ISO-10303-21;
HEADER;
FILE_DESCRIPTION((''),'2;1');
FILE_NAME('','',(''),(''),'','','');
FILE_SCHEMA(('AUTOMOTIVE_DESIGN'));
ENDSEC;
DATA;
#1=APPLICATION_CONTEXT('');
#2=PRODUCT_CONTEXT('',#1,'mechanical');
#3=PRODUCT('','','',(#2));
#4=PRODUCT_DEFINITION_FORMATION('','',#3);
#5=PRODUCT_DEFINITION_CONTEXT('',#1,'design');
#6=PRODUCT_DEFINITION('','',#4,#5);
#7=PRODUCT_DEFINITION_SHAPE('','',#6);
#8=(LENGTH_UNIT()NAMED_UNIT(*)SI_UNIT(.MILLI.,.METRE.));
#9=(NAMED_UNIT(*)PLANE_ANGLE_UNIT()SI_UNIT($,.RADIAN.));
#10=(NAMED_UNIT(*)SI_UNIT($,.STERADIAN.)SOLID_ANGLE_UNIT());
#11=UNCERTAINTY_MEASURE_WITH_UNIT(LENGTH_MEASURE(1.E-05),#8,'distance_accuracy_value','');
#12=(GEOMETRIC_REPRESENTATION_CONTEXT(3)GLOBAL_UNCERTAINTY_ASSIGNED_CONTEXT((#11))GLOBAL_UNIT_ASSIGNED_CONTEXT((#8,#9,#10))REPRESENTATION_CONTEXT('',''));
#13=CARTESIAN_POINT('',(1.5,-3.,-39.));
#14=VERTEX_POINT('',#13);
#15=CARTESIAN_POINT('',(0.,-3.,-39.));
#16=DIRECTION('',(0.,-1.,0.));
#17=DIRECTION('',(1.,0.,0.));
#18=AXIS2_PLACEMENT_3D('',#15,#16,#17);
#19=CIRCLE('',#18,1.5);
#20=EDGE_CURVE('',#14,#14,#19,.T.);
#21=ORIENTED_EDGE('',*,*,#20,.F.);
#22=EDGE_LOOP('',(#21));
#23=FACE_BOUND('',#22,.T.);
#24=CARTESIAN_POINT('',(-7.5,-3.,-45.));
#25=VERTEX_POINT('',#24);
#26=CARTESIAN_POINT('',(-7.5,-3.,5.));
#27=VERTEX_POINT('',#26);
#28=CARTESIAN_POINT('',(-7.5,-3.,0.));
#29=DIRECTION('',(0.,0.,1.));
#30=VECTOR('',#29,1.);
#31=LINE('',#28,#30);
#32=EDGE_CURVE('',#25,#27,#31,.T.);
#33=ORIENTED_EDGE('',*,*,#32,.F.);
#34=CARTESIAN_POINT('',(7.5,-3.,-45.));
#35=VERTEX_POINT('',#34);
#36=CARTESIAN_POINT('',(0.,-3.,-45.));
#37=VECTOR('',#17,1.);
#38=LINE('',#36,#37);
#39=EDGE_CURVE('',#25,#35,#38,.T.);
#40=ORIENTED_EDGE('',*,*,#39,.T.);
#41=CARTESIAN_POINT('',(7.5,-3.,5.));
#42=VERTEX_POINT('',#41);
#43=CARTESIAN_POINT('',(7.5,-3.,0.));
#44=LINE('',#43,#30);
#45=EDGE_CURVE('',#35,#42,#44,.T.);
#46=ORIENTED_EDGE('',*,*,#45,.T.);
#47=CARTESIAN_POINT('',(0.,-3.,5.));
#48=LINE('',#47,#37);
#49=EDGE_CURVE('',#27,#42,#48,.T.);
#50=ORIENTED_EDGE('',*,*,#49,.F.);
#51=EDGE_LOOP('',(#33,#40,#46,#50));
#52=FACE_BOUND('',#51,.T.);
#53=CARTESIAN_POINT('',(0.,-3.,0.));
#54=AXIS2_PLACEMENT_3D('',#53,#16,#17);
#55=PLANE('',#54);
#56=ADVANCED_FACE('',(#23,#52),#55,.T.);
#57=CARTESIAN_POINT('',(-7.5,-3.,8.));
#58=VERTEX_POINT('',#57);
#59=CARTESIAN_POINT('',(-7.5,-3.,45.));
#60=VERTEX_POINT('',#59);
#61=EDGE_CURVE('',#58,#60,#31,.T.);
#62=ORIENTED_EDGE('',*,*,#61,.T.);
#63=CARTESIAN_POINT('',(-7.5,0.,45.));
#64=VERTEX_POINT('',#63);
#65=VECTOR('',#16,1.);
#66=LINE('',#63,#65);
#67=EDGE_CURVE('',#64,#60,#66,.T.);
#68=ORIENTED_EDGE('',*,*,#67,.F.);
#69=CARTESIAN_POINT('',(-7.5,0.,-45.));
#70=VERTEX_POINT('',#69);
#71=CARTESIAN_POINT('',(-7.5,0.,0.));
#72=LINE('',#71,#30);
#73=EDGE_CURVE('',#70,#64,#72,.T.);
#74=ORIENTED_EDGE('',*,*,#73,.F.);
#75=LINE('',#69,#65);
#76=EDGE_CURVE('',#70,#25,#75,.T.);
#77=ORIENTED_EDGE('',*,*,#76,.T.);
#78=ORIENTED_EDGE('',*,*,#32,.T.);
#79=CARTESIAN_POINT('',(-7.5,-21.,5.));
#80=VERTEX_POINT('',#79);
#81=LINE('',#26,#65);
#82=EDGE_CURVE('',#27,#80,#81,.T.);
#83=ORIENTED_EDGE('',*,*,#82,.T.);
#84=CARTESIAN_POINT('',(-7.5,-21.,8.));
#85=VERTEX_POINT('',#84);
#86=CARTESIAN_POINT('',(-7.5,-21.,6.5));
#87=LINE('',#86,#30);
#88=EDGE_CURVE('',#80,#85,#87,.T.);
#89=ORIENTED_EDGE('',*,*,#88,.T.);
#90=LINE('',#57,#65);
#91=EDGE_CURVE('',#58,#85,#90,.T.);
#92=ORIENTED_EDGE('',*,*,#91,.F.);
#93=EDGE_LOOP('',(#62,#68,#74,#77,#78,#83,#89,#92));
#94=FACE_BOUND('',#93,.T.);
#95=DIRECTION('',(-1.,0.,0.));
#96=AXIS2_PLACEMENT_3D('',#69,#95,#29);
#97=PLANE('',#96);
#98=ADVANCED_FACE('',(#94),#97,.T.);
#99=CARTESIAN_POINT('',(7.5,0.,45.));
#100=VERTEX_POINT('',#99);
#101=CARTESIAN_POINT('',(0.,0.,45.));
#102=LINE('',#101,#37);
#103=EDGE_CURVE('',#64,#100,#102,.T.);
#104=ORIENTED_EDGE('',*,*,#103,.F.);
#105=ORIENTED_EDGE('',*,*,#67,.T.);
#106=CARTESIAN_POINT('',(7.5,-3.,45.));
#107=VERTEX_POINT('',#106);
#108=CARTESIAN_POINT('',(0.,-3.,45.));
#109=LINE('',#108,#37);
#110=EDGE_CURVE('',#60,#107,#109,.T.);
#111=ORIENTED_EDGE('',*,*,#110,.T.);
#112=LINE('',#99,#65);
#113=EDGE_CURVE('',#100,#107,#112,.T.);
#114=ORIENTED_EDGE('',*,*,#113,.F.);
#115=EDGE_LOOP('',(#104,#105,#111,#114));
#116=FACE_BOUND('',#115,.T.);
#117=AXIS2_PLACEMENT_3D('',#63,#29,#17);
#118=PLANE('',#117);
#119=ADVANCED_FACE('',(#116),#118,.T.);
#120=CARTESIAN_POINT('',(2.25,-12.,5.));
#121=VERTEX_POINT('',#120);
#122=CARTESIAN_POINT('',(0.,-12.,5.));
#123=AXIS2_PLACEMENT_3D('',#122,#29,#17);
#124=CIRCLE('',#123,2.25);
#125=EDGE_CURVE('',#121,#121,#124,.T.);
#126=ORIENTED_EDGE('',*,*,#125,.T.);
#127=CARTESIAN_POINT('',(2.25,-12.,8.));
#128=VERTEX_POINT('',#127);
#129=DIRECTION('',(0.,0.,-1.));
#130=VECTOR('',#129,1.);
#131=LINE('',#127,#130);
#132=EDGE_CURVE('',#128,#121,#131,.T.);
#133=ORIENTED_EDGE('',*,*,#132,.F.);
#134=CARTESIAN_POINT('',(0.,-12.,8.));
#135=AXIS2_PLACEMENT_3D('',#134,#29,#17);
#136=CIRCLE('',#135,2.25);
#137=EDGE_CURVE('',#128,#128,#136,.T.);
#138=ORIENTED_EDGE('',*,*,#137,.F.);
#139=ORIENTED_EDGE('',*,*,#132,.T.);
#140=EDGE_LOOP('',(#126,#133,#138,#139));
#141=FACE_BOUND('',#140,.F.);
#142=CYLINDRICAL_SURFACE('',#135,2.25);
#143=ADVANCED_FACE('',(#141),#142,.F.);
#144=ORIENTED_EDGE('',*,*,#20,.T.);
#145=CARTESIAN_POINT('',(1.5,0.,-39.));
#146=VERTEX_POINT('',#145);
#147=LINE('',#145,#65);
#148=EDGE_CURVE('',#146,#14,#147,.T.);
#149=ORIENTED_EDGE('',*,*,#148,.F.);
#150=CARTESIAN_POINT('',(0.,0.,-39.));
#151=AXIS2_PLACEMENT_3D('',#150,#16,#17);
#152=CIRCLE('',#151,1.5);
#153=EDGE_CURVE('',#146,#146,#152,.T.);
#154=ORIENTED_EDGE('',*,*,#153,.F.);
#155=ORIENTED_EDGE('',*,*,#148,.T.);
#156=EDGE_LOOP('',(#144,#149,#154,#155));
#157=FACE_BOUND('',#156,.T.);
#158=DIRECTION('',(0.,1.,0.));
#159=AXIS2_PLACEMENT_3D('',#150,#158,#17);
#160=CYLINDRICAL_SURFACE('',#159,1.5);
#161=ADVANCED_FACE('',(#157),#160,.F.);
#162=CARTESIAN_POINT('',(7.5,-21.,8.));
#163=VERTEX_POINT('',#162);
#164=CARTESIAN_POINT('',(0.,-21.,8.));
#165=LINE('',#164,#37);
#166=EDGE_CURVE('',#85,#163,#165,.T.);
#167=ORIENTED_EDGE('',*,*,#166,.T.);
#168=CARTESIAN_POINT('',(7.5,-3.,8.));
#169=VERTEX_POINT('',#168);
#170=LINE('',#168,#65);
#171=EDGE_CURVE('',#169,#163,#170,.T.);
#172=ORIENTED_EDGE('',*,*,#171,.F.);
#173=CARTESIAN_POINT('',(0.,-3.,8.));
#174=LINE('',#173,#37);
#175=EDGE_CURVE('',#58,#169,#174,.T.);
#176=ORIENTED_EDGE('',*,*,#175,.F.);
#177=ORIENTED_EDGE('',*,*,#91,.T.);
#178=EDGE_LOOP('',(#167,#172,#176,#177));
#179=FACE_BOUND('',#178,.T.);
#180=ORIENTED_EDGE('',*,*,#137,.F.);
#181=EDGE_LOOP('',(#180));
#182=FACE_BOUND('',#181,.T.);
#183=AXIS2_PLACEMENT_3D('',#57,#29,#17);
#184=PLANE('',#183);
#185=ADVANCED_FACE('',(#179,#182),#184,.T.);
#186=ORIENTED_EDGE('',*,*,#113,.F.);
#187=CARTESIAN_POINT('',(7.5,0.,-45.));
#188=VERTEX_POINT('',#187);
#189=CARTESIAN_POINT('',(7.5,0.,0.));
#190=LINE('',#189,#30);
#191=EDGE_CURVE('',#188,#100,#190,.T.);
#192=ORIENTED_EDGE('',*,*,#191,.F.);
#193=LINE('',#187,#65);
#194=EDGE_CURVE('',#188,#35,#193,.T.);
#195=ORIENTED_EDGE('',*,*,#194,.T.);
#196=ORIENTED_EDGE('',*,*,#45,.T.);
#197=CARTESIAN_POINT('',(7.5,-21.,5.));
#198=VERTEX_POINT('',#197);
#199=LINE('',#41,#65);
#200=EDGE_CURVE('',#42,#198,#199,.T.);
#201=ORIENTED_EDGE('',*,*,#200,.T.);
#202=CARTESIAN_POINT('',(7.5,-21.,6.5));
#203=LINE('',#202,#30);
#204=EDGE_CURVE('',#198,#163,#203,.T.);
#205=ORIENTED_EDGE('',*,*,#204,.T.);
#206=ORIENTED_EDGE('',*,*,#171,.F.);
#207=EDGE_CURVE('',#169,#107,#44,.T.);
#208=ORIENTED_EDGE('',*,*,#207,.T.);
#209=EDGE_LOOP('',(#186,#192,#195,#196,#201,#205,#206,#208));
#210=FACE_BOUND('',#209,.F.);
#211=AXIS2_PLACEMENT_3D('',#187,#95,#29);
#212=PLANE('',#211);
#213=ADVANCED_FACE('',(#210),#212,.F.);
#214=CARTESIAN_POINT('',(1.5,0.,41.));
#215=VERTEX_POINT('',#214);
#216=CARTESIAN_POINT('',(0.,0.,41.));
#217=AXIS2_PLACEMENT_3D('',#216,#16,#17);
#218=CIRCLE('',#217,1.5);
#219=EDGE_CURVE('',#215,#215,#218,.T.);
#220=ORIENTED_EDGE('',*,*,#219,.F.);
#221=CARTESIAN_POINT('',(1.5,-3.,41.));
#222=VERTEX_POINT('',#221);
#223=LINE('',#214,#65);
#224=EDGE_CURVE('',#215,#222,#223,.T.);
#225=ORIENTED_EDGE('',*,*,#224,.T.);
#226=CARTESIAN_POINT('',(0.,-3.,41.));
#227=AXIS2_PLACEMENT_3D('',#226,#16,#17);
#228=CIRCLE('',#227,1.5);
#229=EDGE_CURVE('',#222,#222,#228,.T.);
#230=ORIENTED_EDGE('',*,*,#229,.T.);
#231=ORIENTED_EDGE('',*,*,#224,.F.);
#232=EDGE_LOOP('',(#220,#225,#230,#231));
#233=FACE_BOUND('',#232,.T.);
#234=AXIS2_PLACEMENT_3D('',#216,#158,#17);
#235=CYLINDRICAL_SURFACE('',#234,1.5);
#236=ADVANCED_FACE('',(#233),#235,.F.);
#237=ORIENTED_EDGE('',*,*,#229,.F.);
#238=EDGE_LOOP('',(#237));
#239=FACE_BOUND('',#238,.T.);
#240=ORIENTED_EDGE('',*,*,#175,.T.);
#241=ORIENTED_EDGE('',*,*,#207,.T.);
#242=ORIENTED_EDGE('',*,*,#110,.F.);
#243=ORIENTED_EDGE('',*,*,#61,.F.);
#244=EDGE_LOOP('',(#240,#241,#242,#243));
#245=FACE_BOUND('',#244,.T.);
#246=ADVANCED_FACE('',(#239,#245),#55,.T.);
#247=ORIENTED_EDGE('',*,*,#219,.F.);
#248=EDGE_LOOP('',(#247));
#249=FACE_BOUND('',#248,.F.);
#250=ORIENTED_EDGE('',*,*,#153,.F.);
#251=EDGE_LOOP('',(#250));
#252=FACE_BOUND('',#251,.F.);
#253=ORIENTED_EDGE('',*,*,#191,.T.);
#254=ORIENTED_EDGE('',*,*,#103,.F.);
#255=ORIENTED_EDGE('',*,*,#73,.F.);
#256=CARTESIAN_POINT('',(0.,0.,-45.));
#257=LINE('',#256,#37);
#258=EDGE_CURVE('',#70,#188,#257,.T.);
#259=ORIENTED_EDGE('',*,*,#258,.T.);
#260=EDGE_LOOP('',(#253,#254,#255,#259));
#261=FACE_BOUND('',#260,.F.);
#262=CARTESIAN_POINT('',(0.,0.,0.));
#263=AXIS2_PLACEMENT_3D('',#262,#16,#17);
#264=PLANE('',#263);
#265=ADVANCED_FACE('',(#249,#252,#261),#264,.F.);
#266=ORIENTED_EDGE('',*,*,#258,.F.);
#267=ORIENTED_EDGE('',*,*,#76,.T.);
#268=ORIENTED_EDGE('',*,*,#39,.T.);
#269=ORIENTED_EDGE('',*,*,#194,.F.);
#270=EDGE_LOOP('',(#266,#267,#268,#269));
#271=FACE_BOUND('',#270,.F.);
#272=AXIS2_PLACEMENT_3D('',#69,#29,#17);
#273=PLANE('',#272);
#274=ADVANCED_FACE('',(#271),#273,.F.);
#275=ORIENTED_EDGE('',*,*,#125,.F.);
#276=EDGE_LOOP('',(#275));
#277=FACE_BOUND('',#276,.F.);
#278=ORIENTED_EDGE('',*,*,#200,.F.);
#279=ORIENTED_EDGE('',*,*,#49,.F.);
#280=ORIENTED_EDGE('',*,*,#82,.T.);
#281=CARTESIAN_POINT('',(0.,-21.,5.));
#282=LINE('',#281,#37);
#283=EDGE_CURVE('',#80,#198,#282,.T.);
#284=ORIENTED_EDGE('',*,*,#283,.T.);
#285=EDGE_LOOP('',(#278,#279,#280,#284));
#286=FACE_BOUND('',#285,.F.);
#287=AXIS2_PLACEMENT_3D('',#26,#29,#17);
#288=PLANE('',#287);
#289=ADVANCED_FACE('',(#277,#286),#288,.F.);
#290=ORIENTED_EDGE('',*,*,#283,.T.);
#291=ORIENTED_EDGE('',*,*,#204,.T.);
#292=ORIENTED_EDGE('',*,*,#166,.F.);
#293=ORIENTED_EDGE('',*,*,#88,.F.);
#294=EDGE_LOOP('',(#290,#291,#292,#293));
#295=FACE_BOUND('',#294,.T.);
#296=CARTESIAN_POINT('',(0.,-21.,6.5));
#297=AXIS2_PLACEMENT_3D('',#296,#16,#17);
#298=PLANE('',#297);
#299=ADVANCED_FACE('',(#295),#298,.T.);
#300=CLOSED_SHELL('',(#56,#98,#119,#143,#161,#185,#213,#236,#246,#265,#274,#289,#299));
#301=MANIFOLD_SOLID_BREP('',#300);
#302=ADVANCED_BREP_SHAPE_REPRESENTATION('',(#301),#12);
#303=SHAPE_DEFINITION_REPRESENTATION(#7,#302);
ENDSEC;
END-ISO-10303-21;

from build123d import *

# Parameters (mm, degrees)
F0_W     = 15
F0_H     = 90
F0_R     = 1.5
F1_DEPTH = 3
F2_W     = 15
F2_H     = 3
F3_DEPTH = 18
F4_R     = 2.25
F5_DEPTH = 53.001


with BuildPart() as f1:
    # F0 (on Front) → F1 (new body)
    with BuildSketch(Plane.XZ):
        Rectangle(F0_W, F0_H)
        with Locations((0, -39)):
            Circle(F0_R, mode=Mode.SUBTRACT)
        with Locations((0, 41)):
            Circle(F0_R, mode=Mode.SUBTRACT)
    extrude(amount=F1_DEPTH)

    # F2 (on face) → F3 (join)
    with BuildSketch(Plane.XZ.offset(3)):
        with Locations((0, 6.5)):
            Rectangle(F2_W, F2_H)
    extrude(amount=F3_DEPTH)

    # F4 (on face) → F5 (cut, through all)
    with BuildSketch(Plane.XY.offset(8)):
        with Locations((0, -12)):
            Circle(F4_R)
    extrude(amount=-F5_DEPTH, mode=Mode.SUBTRACT)


solid = f1.part
